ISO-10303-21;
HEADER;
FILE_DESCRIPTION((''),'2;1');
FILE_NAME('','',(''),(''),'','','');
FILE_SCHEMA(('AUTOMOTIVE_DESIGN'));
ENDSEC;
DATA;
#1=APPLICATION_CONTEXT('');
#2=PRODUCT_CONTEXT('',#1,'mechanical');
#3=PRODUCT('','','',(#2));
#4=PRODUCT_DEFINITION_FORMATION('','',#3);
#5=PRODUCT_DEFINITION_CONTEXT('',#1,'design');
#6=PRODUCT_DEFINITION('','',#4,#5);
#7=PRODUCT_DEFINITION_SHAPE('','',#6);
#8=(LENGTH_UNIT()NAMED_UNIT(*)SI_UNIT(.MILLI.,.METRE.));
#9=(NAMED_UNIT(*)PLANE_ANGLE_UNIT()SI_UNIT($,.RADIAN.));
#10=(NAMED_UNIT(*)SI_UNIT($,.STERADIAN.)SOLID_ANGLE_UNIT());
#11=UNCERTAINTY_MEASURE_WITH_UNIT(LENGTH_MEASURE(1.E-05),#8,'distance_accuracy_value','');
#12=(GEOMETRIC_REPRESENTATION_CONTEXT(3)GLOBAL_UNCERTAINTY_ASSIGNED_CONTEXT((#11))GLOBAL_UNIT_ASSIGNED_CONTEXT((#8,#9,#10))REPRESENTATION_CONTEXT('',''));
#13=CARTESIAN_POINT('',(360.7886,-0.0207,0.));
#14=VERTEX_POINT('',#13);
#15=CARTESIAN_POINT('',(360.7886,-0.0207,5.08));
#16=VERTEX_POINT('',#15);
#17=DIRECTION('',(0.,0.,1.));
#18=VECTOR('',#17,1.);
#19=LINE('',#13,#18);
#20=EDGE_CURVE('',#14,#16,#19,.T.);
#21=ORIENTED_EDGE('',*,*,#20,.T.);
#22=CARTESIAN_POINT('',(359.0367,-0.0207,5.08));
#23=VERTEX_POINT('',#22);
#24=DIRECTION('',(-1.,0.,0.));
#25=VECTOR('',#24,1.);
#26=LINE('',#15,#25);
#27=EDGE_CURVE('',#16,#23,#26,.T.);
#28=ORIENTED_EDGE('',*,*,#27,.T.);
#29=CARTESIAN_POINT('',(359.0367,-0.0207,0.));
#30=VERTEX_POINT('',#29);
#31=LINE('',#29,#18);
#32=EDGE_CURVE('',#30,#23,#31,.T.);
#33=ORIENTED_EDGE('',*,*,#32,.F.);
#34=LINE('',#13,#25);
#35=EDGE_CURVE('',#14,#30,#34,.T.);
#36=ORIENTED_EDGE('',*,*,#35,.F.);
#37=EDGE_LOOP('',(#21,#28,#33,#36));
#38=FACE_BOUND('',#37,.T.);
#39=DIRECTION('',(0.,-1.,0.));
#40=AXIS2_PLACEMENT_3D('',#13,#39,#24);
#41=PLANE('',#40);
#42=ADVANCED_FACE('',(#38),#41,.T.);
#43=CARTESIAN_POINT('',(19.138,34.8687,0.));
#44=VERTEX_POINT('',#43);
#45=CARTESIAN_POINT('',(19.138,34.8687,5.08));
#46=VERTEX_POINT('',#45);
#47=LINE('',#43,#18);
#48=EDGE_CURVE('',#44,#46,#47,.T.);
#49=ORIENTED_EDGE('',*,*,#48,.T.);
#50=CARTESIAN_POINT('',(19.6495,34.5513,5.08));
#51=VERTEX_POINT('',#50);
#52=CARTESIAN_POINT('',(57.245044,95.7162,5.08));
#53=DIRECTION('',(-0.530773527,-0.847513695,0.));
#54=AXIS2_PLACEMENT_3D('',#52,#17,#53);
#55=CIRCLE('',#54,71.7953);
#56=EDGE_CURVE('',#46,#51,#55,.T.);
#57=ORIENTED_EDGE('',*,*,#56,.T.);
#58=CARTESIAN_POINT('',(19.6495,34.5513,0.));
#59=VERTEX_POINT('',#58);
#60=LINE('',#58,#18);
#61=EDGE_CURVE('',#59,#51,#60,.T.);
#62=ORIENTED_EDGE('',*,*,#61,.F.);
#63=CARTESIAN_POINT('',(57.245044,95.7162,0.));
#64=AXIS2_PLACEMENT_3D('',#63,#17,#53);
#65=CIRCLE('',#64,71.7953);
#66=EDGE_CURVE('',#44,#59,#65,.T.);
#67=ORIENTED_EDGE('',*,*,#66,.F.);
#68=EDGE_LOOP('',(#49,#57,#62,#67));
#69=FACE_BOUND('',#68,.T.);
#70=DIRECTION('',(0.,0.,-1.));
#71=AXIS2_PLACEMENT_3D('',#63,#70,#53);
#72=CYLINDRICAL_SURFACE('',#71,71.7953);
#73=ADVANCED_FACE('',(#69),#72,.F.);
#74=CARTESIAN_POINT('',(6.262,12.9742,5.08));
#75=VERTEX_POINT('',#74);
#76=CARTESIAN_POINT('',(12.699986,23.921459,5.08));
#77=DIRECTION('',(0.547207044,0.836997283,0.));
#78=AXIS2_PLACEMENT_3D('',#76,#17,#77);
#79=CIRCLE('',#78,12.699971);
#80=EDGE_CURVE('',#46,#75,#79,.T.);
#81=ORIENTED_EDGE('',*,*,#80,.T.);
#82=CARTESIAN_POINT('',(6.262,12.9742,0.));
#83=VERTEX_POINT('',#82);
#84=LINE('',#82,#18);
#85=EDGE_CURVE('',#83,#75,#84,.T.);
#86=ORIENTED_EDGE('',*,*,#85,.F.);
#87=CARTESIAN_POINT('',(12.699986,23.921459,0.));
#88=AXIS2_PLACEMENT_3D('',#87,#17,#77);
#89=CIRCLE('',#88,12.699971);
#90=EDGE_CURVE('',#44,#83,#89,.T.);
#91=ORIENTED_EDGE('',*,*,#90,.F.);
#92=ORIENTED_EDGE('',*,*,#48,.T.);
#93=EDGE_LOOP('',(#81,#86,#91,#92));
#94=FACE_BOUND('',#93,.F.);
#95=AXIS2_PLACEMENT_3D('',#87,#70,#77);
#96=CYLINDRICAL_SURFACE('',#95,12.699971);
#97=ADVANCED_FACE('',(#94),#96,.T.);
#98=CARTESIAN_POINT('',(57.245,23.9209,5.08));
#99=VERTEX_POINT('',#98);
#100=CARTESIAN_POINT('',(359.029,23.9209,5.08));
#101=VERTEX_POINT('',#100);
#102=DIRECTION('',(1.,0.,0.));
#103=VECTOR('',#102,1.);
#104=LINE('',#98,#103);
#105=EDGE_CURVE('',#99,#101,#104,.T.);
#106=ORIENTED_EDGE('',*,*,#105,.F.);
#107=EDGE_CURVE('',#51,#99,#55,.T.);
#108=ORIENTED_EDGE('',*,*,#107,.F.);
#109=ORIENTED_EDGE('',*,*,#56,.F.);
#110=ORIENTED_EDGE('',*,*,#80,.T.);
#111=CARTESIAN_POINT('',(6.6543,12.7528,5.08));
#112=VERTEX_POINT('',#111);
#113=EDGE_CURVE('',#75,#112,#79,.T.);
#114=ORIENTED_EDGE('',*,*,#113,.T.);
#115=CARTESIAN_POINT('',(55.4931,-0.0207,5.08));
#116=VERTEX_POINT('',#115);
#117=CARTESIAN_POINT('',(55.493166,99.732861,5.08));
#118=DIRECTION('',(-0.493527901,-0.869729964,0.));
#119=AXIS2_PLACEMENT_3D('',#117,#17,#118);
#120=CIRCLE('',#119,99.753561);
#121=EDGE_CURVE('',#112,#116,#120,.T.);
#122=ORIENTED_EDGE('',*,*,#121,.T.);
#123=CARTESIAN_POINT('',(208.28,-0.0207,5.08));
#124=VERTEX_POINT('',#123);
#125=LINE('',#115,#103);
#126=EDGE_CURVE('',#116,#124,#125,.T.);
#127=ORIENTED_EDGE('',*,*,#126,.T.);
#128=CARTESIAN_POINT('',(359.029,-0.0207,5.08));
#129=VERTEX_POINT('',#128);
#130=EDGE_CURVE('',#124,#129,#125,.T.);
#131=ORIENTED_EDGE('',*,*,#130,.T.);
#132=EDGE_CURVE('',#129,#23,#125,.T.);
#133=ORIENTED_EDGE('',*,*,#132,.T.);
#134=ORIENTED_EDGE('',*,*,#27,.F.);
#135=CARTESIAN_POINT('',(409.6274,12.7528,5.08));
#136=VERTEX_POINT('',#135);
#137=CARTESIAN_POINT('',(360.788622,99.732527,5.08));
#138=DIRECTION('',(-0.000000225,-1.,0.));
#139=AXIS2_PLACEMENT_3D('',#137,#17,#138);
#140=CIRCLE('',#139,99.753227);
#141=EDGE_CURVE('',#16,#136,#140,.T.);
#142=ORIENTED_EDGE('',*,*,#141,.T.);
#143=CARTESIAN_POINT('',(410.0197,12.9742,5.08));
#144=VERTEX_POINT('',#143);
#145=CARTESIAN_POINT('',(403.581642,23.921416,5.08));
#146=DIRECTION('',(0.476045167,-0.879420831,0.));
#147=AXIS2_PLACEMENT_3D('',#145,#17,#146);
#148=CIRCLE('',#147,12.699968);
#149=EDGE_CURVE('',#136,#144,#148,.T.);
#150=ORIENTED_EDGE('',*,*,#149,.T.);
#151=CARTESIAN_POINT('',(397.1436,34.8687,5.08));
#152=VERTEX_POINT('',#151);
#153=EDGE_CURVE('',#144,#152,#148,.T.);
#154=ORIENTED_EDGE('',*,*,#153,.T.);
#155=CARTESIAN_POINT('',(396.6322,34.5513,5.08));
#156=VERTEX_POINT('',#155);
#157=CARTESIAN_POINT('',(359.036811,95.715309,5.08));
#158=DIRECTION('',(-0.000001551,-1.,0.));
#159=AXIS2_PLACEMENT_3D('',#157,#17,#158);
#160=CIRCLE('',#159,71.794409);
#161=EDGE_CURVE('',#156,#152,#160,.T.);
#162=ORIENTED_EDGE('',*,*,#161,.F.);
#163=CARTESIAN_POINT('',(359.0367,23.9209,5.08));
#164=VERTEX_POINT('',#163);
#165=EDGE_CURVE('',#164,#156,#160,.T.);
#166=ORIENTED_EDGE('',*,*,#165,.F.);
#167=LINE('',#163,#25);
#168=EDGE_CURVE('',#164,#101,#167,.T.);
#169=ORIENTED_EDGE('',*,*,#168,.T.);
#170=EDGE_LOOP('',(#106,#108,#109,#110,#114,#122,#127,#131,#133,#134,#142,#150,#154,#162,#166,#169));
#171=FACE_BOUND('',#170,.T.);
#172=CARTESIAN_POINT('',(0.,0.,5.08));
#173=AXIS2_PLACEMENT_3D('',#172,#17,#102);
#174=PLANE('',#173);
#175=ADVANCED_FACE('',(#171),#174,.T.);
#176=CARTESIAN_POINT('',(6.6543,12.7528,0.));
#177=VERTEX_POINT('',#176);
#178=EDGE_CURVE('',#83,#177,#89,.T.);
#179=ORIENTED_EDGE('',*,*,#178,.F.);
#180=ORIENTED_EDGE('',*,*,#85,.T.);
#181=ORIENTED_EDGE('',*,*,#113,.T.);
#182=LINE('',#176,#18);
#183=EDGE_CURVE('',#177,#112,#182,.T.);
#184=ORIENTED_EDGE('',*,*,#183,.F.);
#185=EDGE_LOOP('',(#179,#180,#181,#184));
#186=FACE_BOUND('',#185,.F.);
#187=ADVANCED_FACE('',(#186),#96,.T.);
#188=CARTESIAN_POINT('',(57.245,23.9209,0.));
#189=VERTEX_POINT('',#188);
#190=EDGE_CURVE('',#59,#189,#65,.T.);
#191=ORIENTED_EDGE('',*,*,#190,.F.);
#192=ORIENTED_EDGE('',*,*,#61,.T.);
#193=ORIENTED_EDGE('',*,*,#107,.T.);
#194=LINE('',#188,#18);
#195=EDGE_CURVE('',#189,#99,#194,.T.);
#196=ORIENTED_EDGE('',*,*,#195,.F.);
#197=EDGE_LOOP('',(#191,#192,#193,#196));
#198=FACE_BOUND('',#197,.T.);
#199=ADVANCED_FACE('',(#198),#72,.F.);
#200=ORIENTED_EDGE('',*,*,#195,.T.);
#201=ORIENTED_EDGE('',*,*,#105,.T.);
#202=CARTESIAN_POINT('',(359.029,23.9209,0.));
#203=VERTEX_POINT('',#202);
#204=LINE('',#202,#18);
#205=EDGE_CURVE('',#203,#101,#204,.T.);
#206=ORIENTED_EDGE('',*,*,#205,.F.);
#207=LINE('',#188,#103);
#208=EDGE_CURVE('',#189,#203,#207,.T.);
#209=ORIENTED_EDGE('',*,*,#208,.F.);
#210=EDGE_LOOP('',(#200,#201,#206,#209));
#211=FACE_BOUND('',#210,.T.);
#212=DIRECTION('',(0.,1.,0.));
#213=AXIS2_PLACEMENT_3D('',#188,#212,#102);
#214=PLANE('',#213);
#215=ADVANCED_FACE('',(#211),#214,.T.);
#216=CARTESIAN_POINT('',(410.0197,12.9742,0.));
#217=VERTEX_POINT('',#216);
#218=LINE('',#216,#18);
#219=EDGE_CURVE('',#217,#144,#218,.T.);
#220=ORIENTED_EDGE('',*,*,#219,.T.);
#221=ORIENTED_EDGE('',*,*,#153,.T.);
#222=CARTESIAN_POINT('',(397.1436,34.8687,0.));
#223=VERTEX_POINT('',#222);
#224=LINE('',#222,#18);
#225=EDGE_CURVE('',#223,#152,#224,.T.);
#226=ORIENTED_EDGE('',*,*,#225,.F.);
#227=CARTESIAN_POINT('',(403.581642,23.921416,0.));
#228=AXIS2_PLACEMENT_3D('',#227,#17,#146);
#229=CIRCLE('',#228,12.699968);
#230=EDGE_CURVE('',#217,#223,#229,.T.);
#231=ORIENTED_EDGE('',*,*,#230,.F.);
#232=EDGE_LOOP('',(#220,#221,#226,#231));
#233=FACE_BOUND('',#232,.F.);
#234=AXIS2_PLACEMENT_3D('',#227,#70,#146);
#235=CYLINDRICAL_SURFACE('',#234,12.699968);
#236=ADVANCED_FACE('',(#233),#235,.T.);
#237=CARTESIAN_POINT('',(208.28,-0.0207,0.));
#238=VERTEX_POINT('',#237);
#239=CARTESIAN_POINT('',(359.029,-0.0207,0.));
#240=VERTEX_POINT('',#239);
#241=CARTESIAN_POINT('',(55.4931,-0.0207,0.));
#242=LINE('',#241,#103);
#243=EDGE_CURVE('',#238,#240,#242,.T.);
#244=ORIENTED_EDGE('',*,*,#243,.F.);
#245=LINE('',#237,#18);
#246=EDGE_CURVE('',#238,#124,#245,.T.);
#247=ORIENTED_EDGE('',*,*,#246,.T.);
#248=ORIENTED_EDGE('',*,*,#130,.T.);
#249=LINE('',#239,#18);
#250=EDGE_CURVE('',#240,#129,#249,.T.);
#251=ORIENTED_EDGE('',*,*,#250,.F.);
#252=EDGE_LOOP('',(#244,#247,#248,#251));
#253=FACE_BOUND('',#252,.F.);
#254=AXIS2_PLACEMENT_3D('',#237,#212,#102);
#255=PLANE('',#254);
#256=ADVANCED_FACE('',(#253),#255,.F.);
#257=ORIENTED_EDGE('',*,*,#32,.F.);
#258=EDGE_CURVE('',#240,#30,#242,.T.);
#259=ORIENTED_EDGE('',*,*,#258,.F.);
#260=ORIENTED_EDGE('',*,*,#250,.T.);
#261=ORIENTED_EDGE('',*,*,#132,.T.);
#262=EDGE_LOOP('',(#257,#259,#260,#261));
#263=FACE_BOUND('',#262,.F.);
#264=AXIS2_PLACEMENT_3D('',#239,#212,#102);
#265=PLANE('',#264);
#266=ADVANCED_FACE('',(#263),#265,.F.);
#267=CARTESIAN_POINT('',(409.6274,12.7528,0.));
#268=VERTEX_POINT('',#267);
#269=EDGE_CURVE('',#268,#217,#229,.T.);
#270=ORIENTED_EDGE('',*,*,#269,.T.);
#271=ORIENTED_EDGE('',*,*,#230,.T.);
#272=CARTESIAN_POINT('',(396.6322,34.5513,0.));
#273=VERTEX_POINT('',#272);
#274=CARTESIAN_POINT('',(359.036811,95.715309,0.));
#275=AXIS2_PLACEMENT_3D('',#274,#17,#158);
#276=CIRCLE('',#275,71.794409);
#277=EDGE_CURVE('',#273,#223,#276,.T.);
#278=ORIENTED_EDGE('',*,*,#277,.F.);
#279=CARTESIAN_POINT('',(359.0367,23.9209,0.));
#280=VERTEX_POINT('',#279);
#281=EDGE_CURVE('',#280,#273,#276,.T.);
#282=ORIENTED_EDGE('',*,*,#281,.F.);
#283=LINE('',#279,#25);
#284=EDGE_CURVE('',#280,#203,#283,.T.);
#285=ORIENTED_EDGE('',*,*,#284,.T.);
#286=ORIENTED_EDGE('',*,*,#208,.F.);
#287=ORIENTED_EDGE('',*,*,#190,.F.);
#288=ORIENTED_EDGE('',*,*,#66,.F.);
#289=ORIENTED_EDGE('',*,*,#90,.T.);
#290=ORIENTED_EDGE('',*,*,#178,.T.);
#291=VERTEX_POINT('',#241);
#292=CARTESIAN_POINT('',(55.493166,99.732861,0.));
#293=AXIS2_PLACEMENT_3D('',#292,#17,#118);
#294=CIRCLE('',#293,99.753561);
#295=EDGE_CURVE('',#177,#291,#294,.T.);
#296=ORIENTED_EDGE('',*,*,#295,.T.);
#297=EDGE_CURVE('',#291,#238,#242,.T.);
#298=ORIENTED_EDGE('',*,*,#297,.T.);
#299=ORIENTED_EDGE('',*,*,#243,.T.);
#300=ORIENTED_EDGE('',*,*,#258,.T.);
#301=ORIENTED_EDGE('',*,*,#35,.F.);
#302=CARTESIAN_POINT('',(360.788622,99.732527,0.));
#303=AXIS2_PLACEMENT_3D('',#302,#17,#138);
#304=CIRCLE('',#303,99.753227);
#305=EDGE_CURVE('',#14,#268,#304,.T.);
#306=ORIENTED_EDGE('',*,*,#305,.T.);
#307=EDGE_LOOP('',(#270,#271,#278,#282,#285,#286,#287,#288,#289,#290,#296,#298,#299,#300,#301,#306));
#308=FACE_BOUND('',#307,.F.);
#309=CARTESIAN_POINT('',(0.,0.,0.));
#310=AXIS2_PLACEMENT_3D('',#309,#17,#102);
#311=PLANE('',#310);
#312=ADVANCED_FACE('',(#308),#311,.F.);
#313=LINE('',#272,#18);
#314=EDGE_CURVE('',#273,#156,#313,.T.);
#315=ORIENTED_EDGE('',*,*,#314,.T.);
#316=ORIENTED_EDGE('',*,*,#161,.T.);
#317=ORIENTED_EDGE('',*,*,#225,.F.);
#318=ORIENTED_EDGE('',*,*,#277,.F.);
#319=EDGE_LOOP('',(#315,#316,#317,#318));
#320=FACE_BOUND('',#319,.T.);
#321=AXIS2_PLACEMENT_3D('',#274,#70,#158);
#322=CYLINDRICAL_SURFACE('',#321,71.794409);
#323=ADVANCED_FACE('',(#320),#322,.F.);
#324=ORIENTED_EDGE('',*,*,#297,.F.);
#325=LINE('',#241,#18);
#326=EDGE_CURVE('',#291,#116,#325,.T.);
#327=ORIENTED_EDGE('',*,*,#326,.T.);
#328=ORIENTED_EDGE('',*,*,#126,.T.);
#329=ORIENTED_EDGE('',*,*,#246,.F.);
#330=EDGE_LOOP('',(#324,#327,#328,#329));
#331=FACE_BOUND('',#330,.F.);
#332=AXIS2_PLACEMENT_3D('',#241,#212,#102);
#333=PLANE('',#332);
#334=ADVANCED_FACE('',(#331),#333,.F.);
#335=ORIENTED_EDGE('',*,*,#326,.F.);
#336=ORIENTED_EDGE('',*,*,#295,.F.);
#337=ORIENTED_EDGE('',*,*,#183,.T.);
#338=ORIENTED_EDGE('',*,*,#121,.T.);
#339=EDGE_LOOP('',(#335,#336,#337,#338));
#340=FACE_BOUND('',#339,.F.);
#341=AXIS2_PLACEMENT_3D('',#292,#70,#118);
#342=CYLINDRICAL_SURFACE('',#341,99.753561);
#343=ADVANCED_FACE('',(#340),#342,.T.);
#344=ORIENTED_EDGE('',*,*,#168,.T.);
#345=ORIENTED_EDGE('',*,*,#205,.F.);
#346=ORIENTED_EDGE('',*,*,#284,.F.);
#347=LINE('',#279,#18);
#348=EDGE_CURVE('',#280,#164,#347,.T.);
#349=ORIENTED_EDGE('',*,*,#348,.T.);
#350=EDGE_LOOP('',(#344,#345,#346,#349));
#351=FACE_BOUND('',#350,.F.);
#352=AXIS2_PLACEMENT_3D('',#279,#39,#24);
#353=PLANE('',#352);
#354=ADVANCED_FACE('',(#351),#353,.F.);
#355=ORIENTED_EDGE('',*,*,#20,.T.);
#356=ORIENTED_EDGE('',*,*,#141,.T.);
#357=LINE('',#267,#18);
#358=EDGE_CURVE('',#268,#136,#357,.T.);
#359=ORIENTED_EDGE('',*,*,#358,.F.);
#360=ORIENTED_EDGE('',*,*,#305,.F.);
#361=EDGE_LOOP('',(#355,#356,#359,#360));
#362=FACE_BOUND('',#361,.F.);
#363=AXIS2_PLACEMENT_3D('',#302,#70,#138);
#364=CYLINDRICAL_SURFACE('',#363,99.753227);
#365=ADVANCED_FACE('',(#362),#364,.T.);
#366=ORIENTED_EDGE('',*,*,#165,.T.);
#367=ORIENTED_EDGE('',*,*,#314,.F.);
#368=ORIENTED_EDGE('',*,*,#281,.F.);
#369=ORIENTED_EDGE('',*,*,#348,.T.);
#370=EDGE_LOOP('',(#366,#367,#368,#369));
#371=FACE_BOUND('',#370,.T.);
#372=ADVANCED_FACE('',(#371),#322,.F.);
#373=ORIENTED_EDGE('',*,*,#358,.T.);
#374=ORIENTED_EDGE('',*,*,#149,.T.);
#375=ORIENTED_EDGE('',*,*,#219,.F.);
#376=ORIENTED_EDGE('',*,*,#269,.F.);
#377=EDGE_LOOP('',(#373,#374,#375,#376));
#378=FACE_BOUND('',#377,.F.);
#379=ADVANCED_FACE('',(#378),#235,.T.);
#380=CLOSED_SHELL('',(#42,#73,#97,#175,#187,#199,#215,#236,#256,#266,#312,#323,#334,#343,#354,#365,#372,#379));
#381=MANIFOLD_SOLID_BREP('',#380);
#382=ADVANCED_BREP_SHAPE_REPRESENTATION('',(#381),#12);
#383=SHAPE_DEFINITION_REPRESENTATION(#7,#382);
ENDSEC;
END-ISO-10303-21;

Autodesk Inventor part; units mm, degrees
ref_plane "YZ Plane" through (0, 0, 0) normal (1, 0, 0) x (0, 1, 0)
ref_plane "XZ Plane" through (0, 0, 0) normal (0, 1, 0) x (-1, 0, 0)
ref_plane "XY Plane" through (0, 0, 0) normal (0, 0, 1) x (1, 0, 0)
sketch "Sketch1" plane through (0, 0, 0) normal (0, 0, 1) x (1, 0, 0)
  line L0 (55.4931, -0.0207) -> (359.029, -0.0207)
  line L1 (208.28, -0.0207) -> (55.4931, -0.0207)
  line L2 (208.28, -0.0207) -> (359.029, -0.0207)
  line L3 (57.245, 23.9209) -> (359.029, 23.9209)
  line L4 (208.28, -0.0207) -> (359.029, -0.0207)
  line L5 (55.4931, -0.0207) -> (359.0367, -0.0207)
  line L6 (359.0367, 23.9209) -> (57.245, 23.9209)
  arc A0 (19.6495, 34.5513) -> (6.6543, 12.7528) centre (12.7, 23.9214) ccw
  arc A1 (19.138, 34.8687) -> (57.245, 23.9209) centre (57.245, 95.7161) ccw
  arc A2 (6.262, 12.9742) -> (55.4931, -0.0207) centre (55.4931, 99.7327) ccw
  arc A3 (409.6274, 12.7528) -> (396.6322, 34.5513) centre (403.5817, 23.9214) ccw
  arc A4 (359.0367, 23.9209) -> (397.1436, 34.8687) centre (359.0367, 95.7161) ccw
  arc A5 (360.7886, -0.0207) -> (410.0197, 12.9742) centre (360.7886, 99.7327) ccw
  line L7 (360.7886, -0.0207) -> (55.4931, -0.0207)
  point P0 (0, 0)
  point P1 (416.2817, 0)
extrude "Extrusion1" add sketch "Sketch1" along normal blind 5.08 contours A2 A0 A1 L3 L6 A4 A3 A5 L7 L5 L0
properties part number "bottomSkid"
